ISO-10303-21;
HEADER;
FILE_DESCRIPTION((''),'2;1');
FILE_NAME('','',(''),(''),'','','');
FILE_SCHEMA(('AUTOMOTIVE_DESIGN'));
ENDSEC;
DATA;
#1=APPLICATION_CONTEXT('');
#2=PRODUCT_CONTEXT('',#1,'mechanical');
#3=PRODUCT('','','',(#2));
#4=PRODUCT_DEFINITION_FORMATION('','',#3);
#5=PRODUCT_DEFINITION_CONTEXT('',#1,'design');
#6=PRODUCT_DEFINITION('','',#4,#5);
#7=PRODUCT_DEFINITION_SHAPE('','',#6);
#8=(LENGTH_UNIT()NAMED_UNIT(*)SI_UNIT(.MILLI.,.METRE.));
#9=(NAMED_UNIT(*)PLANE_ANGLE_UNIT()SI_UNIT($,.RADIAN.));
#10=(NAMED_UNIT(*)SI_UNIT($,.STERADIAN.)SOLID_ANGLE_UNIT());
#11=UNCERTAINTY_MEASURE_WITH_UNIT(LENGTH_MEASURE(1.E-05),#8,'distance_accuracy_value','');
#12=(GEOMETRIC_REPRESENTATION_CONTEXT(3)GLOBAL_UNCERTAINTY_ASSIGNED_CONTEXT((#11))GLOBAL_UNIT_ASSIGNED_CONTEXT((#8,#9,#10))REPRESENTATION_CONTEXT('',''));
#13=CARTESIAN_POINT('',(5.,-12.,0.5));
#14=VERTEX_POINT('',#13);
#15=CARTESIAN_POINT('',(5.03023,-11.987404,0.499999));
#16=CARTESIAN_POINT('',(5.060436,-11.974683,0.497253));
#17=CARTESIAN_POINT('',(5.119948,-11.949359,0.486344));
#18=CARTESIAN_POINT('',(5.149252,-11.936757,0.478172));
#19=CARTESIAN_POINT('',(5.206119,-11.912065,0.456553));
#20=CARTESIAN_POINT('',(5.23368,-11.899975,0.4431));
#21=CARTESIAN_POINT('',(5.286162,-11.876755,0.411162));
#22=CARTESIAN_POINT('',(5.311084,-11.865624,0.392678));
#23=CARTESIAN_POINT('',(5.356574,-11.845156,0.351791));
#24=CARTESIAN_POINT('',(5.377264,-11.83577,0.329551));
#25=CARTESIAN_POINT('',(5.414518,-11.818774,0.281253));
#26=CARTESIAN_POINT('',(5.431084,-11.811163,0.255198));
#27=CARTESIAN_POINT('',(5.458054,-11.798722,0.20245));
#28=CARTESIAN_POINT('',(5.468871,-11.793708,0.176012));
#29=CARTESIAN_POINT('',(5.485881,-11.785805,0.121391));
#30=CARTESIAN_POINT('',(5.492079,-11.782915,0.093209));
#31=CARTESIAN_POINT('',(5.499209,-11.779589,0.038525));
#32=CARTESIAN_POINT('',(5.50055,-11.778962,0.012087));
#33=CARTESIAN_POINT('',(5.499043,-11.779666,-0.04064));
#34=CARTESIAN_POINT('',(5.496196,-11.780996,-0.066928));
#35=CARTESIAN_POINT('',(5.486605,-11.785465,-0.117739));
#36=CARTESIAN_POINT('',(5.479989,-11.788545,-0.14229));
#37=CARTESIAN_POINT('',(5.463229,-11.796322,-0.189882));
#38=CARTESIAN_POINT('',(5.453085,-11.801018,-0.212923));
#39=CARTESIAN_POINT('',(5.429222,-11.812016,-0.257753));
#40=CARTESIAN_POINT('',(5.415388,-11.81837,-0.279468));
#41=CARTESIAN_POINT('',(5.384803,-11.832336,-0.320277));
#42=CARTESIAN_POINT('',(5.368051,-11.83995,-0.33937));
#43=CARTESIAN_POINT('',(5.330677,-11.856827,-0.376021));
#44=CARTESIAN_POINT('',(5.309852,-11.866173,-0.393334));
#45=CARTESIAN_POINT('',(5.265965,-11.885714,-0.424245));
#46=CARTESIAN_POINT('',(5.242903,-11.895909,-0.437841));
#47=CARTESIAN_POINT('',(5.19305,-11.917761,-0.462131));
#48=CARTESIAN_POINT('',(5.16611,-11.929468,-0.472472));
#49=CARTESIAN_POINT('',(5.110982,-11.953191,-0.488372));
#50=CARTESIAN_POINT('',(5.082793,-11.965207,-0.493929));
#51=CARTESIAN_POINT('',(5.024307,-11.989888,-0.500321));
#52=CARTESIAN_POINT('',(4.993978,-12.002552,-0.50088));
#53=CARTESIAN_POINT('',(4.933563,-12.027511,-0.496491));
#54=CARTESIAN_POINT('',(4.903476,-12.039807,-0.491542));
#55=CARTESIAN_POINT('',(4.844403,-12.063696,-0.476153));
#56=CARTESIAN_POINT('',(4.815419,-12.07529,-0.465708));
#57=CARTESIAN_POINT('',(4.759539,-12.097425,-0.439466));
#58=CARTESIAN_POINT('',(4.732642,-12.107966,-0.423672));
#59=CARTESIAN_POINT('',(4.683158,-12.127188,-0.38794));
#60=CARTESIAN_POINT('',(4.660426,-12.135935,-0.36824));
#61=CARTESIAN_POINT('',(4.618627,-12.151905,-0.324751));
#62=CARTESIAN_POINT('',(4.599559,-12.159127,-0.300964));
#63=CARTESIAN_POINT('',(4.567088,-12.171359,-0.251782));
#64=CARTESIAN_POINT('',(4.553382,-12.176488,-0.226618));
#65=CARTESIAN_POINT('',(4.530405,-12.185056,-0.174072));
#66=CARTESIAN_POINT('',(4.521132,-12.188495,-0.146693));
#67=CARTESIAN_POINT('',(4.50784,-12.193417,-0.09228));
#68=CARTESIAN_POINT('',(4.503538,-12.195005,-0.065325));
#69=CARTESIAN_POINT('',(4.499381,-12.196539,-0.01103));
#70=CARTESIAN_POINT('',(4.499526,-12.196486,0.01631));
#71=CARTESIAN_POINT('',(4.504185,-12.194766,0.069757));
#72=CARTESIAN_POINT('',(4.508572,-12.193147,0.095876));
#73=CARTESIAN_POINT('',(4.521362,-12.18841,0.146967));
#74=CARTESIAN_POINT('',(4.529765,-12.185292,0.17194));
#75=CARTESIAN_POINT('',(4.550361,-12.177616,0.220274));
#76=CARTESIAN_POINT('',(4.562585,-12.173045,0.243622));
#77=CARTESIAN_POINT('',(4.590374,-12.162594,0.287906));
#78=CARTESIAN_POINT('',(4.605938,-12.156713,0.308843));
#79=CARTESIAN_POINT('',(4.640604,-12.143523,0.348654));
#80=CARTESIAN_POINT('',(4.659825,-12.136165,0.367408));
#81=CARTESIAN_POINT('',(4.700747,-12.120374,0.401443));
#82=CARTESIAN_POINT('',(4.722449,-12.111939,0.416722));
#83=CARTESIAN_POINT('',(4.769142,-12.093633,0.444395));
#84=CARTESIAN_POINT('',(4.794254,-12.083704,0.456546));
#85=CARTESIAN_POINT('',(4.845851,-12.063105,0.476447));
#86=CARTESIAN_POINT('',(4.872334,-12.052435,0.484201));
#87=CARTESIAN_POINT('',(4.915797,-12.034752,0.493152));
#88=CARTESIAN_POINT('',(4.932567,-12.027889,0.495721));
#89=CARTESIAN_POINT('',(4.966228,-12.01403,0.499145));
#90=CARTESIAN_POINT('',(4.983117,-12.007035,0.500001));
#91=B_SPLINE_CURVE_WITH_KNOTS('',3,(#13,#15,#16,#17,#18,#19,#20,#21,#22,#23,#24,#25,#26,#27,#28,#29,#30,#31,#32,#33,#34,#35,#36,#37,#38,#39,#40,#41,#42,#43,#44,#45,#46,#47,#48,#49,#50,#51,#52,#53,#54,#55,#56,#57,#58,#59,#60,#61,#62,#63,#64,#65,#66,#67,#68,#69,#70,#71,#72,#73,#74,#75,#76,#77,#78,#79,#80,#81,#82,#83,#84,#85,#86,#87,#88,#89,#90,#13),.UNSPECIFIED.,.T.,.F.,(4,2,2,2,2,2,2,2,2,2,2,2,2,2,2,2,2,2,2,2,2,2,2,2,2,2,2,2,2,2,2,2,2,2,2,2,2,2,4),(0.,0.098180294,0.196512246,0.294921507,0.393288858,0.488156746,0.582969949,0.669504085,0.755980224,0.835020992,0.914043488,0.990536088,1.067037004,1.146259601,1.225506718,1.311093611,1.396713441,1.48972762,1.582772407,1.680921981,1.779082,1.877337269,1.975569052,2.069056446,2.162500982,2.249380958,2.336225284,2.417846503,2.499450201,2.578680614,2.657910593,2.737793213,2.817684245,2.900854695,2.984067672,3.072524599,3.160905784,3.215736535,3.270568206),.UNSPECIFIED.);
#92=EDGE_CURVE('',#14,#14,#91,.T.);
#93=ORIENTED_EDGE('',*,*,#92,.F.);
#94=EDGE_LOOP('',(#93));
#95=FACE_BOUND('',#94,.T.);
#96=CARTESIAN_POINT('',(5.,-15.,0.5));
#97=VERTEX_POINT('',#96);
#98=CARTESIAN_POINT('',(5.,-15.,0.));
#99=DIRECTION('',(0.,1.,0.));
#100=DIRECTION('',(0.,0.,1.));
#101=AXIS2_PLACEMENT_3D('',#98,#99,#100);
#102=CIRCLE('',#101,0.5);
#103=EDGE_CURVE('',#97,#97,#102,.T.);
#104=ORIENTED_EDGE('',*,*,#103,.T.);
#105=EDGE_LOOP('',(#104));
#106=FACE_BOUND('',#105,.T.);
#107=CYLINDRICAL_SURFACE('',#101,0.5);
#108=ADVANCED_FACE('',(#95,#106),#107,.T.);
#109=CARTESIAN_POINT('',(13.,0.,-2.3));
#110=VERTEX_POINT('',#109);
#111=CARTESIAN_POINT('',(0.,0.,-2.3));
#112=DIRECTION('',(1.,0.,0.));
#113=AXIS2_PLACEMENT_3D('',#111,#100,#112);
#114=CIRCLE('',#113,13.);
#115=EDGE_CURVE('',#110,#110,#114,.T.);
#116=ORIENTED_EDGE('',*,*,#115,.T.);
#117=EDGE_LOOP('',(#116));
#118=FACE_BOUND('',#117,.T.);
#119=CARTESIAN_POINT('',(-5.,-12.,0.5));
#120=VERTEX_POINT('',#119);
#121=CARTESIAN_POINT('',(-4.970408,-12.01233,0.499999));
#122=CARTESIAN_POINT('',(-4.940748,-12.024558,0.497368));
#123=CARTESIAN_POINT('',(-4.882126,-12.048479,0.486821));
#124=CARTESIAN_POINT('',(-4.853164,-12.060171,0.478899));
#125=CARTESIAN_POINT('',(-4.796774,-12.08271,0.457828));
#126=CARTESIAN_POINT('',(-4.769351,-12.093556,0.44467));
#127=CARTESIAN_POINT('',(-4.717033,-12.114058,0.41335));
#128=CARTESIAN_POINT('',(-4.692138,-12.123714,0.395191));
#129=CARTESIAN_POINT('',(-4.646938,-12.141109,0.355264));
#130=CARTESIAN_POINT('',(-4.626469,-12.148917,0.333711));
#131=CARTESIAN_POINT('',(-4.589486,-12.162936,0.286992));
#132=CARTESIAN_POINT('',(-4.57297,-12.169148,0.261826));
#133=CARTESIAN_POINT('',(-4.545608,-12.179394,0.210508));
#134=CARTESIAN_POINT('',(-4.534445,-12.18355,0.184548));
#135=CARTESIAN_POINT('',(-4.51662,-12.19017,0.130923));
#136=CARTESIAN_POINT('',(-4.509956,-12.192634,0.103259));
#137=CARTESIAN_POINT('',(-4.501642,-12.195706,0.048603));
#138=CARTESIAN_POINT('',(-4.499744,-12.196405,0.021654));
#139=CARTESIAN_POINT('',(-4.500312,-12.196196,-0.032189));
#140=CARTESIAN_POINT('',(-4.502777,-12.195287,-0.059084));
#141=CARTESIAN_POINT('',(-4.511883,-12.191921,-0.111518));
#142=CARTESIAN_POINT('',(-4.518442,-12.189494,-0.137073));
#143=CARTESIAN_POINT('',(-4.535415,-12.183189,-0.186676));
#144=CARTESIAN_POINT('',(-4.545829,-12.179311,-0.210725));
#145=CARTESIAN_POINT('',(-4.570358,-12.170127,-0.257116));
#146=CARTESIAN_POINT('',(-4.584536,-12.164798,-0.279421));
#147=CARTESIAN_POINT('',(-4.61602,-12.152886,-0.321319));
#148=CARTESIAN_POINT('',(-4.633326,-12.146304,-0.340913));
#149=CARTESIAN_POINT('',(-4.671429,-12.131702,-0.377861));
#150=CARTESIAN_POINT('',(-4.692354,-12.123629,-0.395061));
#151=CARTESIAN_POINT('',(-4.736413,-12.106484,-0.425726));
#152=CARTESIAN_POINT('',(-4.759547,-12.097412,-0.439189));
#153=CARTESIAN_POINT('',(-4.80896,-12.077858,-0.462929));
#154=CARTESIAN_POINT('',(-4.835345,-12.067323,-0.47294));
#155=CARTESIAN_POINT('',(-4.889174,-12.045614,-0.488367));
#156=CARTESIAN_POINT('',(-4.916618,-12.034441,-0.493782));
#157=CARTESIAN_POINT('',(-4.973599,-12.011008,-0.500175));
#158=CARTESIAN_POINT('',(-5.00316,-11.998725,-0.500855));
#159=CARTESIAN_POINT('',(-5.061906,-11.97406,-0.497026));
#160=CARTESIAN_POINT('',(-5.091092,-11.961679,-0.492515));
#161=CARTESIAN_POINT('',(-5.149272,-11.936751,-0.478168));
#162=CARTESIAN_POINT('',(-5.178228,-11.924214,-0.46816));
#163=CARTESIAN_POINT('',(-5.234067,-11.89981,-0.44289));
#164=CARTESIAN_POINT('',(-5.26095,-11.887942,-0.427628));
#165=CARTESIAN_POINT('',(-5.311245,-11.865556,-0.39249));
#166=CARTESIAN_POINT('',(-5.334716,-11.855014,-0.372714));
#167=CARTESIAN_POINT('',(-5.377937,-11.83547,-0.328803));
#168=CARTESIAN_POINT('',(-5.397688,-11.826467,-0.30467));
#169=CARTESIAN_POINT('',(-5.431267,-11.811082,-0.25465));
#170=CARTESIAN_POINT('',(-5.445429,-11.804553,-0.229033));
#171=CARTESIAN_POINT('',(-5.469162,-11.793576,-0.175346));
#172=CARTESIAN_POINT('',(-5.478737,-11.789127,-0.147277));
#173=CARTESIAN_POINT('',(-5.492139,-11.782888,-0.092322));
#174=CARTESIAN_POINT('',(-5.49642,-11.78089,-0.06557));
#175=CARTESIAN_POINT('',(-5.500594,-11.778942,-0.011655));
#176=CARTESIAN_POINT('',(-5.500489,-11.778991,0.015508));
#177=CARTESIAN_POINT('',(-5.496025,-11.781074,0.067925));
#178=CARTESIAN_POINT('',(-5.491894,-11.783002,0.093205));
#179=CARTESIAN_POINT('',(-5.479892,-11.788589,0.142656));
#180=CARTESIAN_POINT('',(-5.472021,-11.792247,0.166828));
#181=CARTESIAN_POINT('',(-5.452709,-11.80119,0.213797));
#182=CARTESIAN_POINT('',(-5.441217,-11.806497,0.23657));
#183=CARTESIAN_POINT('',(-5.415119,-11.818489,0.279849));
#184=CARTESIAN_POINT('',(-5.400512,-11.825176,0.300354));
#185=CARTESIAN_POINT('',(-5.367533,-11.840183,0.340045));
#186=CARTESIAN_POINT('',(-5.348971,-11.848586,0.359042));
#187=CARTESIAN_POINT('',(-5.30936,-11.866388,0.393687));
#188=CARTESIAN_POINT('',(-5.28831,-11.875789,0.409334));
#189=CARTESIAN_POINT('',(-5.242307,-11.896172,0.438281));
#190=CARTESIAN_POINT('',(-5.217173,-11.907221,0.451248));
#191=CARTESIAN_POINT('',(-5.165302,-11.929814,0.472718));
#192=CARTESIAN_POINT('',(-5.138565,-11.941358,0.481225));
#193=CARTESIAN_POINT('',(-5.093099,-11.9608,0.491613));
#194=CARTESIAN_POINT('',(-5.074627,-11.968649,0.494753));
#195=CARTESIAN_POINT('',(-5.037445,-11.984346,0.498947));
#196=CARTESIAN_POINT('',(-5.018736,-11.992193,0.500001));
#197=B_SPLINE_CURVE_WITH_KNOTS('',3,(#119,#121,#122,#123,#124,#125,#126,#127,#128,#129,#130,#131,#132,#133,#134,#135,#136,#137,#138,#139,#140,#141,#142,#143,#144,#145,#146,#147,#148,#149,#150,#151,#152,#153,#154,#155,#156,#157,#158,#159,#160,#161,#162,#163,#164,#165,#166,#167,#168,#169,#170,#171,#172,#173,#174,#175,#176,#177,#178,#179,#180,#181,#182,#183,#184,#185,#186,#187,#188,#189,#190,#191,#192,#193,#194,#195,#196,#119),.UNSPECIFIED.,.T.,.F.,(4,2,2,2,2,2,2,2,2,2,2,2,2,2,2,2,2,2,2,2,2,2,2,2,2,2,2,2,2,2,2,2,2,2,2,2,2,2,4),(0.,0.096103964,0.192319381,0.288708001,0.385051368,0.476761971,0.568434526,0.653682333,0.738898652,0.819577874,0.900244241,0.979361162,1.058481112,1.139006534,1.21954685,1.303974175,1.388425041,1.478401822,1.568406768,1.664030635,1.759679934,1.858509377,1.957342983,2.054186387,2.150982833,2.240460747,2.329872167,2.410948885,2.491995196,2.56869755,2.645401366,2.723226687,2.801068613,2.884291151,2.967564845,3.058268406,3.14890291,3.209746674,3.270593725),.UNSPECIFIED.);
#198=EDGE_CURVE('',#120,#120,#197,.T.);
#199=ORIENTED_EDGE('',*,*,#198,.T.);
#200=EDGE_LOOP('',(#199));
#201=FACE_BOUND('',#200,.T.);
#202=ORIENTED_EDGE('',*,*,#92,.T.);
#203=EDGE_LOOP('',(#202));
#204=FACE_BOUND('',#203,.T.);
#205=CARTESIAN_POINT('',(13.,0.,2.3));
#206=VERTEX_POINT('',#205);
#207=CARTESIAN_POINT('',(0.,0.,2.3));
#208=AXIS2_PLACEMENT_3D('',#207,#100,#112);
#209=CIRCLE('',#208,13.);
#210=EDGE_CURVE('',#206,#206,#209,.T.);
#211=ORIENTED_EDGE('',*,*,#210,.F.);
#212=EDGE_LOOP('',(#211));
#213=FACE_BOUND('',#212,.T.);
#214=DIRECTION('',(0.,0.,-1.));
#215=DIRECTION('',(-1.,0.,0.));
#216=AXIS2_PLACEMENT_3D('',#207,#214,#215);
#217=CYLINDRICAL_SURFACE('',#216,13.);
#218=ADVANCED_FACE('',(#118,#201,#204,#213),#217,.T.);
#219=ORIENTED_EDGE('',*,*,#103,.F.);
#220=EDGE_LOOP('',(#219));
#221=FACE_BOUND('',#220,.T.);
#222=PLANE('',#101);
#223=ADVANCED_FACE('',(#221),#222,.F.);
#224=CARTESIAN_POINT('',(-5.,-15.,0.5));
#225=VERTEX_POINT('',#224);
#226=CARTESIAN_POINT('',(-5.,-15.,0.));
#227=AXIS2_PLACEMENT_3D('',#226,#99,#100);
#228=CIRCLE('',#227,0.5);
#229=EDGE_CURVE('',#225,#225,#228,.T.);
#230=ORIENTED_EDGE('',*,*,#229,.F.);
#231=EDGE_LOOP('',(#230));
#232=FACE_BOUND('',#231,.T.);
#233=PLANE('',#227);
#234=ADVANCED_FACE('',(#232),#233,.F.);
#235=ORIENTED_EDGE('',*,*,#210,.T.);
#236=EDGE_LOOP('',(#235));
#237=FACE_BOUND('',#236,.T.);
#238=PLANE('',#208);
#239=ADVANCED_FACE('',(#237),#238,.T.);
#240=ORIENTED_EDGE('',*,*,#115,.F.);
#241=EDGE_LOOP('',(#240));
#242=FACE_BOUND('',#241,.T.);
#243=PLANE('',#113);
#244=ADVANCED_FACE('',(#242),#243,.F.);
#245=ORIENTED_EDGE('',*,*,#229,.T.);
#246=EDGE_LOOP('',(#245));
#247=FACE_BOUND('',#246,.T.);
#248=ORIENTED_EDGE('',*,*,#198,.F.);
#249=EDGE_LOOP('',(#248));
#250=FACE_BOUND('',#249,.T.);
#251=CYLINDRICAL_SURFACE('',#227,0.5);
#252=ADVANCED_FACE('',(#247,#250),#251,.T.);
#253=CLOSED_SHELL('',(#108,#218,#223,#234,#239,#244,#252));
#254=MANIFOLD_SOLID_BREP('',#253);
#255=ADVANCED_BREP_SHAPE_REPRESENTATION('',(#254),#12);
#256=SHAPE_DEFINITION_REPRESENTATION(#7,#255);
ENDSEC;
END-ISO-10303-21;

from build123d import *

# Parameters (mm, degrees)
SKETCH1_R           = 13
BOSS_EXTRUDE1_DEPTH = 2.3
SKETCH2_R           = 0.5
BOSS_EXTRUDE2_DEPTH = 15


with BuildPart() as part:
    # Sketch1 → Boss-Extrude1 (new, symmetric)
    with BuildSketch(Plane.XY):
        Circle(SKETCH1_R)
    extrude(amount=BOSS_EXTRUDE1_DEPTH, both=True)

    # Sketch2 → Boss-Extrude2 (add)
    with BuildSketch(Plane(origin=(0, 0, 0), x_dir=(1, 0, 0), z_dir=(0, 1, 0))):
        with Locations(Location((-5, 0, 0), (0, 0, 270))):
            Circle(SKETCH2_R)
        with Locations(Location((5, 0, 0), (0, 0, 270))):
            Circle(SKETCH2_R)
    extrude(amount=-BOSS_EXTRUDE2_DEPTH)


solid = part.part
